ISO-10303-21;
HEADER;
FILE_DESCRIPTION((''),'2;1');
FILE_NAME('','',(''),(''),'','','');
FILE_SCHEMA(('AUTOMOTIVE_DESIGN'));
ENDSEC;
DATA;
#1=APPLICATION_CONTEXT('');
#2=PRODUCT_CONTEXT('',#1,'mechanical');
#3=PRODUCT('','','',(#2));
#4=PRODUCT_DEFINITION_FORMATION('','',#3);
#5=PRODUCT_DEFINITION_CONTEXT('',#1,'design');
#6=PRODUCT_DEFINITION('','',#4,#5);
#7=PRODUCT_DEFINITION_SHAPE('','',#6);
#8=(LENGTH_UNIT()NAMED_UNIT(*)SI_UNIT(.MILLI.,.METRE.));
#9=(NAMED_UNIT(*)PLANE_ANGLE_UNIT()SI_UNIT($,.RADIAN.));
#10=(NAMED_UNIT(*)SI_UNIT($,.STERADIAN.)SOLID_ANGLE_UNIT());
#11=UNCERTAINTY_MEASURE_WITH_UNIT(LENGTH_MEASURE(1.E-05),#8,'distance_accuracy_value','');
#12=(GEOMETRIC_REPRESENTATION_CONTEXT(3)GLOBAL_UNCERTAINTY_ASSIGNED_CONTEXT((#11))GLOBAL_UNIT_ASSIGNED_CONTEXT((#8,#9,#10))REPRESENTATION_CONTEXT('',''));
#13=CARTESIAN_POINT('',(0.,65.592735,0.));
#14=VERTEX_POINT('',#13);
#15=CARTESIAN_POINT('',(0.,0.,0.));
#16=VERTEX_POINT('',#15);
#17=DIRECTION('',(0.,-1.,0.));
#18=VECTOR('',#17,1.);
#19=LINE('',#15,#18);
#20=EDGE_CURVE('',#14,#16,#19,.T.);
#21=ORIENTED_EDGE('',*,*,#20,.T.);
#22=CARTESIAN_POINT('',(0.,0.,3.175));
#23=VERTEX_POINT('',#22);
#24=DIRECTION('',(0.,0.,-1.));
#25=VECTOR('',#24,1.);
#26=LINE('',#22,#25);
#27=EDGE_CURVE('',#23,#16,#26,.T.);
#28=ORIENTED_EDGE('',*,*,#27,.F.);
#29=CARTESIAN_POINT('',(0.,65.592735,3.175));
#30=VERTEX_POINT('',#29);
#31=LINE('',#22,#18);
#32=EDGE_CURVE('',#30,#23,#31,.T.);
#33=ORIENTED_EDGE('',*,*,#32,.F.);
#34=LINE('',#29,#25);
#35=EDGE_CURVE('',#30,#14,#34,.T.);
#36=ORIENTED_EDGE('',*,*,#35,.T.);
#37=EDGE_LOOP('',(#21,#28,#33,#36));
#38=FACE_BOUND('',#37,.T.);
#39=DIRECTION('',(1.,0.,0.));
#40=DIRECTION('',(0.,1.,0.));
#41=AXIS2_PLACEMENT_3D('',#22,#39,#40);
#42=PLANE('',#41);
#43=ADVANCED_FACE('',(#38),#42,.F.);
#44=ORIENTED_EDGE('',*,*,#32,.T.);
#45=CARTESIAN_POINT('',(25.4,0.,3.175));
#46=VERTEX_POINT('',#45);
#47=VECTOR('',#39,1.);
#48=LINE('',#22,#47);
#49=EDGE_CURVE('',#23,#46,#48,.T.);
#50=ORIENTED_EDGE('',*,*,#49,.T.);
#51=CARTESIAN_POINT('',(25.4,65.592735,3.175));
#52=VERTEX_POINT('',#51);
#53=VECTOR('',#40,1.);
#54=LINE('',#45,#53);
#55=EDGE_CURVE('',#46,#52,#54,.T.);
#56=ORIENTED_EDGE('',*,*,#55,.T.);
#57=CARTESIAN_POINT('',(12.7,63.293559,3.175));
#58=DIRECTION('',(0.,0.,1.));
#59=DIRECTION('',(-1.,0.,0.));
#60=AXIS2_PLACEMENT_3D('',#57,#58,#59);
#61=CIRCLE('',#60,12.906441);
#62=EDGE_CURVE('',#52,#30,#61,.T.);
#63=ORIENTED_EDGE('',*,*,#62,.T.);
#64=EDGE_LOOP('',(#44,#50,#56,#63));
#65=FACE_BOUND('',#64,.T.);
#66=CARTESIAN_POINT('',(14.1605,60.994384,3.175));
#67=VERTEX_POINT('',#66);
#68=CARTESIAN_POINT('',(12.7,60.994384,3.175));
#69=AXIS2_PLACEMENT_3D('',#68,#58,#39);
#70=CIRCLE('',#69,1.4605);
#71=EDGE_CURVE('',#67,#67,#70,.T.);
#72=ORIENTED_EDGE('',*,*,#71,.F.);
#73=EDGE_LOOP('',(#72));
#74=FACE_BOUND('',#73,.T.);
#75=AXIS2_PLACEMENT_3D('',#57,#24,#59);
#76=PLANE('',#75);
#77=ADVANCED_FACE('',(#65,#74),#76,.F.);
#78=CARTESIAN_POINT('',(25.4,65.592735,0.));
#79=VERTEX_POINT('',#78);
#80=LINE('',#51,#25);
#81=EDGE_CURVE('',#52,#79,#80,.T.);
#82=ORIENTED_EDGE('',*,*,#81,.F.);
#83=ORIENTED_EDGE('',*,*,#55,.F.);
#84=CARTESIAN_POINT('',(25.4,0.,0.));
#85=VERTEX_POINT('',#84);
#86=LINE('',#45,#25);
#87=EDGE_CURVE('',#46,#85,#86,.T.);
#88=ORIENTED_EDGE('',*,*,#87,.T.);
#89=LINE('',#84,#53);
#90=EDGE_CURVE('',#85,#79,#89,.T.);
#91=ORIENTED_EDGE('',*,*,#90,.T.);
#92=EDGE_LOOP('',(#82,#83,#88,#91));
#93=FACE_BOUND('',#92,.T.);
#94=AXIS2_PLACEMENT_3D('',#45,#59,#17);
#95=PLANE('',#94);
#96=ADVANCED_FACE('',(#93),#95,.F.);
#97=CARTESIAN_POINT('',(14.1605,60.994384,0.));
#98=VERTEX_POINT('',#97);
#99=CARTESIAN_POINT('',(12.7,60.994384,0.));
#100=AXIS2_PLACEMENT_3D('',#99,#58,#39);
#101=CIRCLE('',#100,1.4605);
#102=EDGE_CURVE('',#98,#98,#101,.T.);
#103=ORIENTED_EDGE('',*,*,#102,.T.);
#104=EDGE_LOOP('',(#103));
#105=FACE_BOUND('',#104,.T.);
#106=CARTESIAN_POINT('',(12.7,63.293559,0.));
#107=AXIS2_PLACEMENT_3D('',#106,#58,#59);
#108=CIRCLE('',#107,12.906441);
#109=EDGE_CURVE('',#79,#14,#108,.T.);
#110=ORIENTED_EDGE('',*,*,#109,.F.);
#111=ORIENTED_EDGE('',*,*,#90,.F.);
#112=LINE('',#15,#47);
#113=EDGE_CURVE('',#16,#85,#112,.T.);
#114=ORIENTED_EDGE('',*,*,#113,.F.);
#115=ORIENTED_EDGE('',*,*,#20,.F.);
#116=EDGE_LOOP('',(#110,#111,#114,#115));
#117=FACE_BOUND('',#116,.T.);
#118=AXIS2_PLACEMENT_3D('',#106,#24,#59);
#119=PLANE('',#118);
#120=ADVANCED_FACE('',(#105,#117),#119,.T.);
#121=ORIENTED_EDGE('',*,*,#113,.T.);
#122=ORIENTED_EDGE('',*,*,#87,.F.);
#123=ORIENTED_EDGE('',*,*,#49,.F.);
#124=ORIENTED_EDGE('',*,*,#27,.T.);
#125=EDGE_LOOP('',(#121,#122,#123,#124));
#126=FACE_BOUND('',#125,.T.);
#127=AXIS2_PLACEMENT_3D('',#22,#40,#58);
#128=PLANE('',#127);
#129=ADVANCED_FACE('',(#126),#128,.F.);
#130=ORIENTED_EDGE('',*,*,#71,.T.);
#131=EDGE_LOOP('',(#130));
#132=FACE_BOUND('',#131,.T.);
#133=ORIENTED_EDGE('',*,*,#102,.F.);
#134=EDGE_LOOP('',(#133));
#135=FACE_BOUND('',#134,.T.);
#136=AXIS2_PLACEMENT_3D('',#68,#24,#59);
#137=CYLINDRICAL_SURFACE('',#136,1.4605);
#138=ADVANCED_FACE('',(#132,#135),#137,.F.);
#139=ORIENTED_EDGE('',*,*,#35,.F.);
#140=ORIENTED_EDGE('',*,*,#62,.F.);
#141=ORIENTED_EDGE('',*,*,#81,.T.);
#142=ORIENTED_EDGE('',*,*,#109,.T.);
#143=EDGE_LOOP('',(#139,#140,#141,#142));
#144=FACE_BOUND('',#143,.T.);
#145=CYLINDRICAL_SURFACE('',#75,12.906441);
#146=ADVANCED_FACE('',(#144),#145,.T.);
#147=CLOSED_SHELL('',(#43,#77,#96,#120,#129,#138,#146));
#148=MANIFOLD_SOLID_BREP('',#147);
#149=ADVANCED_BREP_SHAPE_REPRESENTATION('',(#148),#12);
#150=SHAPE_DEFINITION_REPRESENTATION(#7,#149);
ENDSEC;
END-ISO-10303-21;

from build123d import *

# Parameters (mm, degrees)
SKETCH2_R           = 1.4605
BOSS_EXTRUDE1_DEPTH = 3.175


with BuildPart() as part:
    # Sketch2 → Boss-Extrude1 (new body)
    with BuildSketch(Plane.XY):
        with BuildLine():
            Line((0, 0), (25.4, 0))
            Line((25.4, 0), (25.4, 65.592734809))
            ThreePointArc((25.4, 65.592734809), (12.7, 76.2), (0, 65.592734809))
            Line((0, 65.592734809), (0, 0))
        make_face()
        with Locations((12.7, 60.994384123)):
            Circle(SKETCH2_R, mode=Mode.SUBTRACT)
    extrude(amount=BOSS_EXTRUDE1_DEPTH)


solid = part.part
